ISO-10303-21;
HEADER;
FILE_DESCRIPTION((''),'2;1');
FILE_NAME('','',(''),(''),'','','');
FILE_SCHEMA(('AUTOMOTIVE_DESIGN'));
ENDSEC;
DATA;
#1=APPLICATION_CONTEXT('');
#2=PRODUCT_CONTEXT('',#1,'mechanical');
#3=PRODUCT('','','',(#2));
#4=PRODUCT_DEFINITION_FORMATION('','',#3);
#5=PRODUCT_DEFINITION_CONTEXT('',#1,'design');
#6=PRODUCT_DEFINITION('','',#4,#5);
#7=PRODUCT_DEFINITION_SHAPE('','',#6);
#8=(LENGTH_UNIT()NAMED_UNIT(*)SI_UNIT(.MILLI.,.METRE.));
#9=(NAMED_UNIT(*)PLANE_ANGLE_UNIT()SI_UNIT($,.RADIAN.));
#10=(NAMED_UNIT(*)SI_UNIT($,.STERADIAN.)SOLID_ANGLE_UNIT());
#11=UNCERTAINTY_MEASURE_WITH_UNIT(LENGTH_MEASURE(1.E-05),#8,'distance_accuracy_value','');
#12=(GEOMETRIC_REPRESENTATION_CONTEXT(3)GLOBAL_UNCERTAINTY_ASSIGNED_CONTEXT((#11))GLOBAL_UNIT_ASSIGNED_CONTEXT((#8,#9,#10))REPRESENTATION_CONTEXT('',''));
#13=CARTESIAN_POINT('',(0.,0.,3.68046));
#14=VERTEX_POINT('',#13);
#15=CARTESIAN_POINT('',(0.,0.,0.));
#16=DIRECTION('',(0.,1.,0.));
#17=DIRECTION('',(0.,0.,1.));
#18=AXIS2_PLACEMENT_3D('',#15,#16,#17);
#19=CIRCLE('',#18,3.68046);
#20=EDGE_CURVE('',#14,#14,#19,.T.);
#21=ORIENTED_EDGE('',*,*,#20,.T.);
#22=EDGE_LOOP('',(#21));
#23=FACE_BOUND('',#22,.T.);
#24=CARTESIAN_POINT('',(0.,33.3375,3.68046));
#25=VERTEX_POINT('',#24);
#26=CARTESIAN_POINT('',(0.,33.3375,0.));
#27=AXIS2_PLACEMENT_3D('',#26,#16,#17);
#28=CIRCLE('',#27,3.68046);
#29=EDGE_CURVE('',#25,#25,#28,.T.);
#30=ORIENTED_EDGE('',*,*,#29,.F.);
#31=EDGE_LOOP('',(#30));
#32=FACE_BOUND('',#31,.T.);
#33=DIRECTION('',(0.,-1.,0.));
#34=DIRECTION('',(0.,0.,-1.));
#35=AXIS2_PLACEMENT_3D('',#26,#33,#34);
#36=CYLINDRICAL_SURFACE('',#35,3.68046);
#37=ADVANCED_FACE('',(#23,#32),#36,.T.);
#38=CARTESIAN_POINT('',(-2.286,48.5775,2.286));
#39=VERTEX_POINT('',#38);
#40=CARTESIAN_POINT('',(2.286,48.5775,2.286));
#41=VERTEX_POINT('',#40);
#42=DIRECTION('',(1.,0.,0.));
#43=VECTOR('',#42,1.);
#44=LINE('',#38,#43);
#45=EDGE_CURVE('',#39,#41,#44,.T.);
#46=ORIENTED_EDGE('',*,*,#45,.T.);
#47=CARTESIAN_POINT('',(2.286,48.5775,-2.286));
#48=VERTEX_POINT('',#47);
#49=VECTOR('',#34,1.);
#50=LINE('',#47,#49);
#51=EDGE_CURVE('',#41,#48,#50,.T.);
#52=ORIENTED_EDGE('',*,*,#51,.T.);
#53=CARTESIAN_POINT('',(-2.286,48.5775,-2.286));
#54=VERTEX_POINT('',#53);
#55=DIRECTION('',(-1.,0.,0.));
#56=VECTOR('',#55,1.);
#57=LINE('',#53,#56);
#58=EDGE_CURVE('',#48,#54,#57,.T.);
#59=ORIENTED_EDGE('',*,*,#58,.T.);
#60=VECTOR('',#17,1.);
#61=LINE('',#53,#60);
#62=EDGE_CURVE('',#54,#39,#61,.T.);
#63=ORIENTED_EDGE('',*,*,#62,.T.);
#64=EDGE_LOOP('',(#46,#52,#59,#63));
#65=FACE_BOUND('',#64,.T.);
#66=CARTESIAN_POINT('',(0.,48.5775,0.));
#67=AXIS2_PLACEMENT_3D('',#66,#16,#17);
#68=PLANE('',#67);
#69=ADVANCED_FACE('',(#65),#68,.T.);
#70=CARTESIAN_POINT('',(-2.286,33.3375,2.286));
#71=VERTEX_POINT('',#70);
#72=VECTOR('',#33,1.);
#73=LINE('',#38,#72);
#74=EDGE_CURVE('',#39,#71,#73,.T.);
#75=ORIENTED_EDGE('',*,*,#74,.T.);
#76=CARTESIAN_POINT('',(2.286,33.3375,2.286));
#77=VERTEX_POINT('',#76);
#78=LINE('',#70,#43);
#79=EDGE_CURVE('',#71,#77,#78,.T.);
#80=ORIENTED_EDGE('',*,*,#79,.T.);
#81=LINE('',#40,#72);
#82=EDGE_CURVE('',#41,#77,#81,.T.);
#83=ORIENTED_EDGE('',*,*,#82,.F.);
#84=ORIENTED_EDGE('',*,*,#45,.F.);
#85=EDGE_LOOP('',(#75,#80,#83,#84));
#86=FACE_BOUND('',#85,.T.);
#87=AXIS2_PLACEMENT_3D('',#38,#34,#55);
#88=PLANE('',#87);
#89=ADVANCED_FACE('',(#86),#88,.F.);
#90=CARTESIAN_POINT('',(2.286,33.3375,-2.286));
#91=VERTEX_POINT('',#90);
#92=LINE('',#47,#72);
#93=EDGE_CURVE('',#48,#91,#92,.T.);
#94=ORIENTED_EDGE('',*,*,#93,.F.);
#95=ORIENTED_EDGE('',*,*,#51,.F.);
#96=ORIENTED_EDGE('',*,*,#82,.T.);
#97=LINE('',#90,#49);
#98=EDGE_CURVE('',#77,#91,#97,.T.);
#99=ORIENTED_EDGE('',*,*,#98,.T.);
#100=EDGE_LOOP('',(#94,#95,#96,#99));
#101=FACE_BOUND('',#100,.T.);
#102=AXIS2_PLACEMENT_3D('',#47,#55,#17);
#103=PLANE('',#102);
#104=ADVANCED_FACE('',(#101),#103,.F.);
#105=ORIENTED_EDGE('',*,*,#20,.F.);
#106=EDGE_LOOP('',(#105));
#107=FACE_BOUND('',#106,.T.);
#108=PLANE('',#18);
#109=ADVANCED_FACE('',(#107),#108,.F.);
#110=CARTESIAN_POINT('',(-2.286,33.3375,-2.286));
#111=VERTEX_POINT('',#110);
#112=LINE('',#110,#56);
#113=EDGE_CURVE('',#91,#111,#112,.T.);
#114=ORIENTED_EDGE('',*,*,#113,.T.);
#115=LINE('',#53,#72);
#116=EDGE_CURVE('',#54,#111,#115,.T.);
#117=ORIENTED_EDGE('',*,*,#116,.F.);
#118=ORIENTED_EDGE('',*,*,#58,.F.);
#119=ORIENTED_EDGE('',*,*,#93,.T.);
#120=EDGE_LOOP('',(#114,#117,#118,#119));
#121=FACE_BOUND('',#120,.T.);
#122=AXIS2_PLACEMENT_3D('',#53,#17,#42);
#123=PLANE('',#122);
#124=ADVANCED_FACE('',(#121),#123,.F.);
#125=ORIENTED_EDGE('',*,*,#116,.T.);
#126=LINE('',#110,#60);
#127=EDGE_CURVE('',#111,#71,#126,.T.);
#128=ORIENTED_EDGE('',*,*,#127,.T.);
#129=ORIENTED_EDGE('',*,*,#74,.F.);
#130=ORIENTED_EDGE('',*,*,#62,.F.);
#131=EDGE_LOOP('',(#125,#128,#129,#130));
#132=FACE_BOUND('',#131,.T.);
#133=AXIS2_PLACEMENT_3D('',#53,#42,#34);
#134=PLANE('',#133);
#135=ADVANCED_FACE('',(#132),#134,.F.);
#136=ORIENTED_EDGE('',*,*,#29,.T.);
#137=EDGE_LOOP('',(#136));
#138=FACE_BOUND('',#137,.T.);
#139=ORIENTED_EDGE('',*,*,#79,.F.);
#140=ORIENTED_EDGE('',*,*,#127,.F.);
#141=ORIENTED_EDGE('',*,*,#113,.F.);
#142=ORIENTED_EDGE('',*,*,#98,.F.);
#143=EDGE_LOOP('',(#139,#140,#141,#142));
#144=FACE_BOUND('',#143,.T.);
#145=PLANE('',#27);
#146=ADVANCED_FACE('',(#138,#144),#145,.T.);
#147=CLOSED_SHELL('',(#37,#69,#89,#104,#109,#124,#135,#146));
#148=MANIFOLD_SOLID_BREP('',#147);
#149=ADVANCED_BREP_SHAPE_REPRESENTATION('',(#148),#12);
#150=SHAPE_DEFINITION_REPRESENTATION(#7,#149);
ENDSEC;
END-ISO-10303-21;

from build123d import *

# Parameters (mm, degrees)
SKETCH1_R           = 3.68046
BOSS_EXTRUDE1_DEPTH = 33.3375
SKETCH3_W           = 4.572
SKETCH3_H           = 4.572
BOSS_EXTRUDE2_DEPTH = 15.24


with BuildPart() as part:
    # Sketch1 → Boss-Extrude1 (new body)
    with BuildSketch(Plane(origin=(0, 0, 0), x_dir=(1, 0, 0), z_dir=(0, 1, 0))):
        Circle(SKETCH1_R)
    extrude(amount=BOSS_EXTRUDE1_DEPTH)

    # Sketch3 → Boss-Extrude2 (add)
    with BuildSketch(Plane(origin=(0, 33.3375, 0), x_dir=(1, 0, 0), z_dir=(0, 1, 0))):
        Rectangle(SKETCH3_W, SKETCH3_H)
    extrude(amount=BOSS_EXTRUDE2_DEPTH)


solid = part.part
